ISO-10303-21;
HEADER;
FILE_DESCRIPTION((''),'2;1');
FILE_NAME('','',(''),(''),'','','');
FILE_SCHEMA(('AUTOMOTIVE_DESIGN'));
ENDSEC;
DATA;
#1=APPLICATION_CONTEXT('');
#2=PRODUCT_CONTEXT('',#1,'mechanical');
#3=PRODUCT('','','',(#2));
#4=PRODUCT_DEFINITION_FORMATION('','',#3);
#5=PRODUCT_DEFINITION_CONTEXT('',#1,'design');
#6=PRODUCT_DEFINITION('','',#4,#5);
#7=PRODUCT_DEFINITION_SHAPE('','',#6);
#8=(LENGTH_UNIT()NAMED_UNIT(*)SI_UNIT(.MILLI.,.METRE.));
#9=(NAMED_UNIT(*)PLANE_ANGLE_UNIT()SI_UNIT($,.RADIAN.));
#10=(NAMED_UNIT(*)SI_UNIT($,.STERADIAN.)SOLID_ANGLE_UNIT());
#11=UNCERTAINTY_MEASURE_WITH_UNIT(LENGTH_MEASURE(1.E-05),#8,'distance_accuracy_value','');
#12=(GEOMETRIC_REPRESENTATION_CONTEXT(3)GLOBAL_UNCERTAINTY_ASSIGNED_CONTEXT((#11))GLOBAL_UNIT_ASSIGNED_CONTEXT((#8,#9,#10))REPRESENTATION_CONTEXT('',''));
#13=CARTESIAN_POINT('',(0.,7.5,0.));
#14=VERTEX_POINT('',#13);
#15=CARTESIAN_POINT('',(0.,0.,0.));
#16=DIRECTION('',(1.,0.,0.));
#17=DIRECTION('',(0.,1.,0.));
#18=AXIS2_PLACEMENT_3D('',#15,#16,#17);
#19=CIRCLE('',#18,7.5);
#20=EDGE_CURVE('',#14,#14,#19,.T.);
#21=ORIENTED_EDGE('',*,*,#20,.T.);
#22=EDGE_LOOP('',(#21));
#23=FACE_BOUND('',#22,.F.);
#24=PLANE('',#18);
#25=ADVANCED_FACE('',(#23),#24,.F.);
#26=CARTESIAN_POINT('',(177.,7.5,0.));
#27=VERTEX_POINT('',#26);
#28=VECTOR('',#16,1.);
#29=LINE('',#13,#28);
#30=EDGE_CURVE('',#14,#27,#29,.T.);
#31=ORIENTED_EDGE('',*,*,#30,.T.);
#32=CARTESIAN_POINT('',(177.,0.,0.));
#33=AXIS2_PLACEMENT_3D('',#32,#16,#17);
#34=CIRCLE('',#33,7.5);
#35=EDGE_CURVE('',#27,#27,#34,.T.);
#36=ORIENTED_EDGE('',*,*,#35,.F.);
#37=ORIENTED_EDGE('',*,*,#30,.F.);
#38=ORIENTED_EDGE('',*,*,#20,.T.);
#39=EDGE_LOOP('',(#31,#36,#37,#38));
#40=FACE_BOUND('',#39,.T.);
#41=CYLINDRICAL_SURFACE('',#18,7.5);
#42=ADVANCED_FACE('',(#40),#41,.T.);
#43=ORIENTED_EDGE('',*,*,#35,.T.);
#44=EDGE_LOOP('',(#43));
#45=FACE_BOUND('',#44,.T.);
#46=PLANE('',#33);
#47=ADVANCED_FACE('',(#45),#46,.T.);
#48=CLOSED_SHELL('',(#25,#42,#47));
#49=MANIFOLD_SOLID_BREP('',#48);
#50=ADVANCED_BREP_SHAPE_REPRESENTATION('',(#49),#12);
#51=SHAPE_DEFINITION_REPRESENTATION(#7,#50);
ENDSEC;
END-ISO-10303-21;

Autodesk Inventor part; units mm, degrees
ref_plane "YZ Plane" through (0, 0, 0) normal (1, 0, 0) x (0, 1, 0)
ref_plane "XZ Plane" through (0, 0, 0) normal (0, 1, 0) x (-1, 0, 0)
ref_plane "XY Plane" through (0, 0, 0) normal (0, 0, 1) x (1, 0, 0)
sketch "Sketch1" plane through (0, 0, 0) normal (0, 0, 1) x (1, 0, 0)
  line L0 (0, 0) -> (177, 0)
  line L1 (0, 7.5) -> (177, 7.5)
  line L2 (0, 7.5) -> (0, 0)
  line L3 (177, 7.5) -> (177, 0)
  dimension "d0" = 177
  dimension "d2" = 15
revolve "Revolution1" add sketch "Sketch1" angle 360 about axis through (0, 0, 0) along (1, 0, 0)
properties part number "Eixo Compressor" material "Steel, Carbon"
